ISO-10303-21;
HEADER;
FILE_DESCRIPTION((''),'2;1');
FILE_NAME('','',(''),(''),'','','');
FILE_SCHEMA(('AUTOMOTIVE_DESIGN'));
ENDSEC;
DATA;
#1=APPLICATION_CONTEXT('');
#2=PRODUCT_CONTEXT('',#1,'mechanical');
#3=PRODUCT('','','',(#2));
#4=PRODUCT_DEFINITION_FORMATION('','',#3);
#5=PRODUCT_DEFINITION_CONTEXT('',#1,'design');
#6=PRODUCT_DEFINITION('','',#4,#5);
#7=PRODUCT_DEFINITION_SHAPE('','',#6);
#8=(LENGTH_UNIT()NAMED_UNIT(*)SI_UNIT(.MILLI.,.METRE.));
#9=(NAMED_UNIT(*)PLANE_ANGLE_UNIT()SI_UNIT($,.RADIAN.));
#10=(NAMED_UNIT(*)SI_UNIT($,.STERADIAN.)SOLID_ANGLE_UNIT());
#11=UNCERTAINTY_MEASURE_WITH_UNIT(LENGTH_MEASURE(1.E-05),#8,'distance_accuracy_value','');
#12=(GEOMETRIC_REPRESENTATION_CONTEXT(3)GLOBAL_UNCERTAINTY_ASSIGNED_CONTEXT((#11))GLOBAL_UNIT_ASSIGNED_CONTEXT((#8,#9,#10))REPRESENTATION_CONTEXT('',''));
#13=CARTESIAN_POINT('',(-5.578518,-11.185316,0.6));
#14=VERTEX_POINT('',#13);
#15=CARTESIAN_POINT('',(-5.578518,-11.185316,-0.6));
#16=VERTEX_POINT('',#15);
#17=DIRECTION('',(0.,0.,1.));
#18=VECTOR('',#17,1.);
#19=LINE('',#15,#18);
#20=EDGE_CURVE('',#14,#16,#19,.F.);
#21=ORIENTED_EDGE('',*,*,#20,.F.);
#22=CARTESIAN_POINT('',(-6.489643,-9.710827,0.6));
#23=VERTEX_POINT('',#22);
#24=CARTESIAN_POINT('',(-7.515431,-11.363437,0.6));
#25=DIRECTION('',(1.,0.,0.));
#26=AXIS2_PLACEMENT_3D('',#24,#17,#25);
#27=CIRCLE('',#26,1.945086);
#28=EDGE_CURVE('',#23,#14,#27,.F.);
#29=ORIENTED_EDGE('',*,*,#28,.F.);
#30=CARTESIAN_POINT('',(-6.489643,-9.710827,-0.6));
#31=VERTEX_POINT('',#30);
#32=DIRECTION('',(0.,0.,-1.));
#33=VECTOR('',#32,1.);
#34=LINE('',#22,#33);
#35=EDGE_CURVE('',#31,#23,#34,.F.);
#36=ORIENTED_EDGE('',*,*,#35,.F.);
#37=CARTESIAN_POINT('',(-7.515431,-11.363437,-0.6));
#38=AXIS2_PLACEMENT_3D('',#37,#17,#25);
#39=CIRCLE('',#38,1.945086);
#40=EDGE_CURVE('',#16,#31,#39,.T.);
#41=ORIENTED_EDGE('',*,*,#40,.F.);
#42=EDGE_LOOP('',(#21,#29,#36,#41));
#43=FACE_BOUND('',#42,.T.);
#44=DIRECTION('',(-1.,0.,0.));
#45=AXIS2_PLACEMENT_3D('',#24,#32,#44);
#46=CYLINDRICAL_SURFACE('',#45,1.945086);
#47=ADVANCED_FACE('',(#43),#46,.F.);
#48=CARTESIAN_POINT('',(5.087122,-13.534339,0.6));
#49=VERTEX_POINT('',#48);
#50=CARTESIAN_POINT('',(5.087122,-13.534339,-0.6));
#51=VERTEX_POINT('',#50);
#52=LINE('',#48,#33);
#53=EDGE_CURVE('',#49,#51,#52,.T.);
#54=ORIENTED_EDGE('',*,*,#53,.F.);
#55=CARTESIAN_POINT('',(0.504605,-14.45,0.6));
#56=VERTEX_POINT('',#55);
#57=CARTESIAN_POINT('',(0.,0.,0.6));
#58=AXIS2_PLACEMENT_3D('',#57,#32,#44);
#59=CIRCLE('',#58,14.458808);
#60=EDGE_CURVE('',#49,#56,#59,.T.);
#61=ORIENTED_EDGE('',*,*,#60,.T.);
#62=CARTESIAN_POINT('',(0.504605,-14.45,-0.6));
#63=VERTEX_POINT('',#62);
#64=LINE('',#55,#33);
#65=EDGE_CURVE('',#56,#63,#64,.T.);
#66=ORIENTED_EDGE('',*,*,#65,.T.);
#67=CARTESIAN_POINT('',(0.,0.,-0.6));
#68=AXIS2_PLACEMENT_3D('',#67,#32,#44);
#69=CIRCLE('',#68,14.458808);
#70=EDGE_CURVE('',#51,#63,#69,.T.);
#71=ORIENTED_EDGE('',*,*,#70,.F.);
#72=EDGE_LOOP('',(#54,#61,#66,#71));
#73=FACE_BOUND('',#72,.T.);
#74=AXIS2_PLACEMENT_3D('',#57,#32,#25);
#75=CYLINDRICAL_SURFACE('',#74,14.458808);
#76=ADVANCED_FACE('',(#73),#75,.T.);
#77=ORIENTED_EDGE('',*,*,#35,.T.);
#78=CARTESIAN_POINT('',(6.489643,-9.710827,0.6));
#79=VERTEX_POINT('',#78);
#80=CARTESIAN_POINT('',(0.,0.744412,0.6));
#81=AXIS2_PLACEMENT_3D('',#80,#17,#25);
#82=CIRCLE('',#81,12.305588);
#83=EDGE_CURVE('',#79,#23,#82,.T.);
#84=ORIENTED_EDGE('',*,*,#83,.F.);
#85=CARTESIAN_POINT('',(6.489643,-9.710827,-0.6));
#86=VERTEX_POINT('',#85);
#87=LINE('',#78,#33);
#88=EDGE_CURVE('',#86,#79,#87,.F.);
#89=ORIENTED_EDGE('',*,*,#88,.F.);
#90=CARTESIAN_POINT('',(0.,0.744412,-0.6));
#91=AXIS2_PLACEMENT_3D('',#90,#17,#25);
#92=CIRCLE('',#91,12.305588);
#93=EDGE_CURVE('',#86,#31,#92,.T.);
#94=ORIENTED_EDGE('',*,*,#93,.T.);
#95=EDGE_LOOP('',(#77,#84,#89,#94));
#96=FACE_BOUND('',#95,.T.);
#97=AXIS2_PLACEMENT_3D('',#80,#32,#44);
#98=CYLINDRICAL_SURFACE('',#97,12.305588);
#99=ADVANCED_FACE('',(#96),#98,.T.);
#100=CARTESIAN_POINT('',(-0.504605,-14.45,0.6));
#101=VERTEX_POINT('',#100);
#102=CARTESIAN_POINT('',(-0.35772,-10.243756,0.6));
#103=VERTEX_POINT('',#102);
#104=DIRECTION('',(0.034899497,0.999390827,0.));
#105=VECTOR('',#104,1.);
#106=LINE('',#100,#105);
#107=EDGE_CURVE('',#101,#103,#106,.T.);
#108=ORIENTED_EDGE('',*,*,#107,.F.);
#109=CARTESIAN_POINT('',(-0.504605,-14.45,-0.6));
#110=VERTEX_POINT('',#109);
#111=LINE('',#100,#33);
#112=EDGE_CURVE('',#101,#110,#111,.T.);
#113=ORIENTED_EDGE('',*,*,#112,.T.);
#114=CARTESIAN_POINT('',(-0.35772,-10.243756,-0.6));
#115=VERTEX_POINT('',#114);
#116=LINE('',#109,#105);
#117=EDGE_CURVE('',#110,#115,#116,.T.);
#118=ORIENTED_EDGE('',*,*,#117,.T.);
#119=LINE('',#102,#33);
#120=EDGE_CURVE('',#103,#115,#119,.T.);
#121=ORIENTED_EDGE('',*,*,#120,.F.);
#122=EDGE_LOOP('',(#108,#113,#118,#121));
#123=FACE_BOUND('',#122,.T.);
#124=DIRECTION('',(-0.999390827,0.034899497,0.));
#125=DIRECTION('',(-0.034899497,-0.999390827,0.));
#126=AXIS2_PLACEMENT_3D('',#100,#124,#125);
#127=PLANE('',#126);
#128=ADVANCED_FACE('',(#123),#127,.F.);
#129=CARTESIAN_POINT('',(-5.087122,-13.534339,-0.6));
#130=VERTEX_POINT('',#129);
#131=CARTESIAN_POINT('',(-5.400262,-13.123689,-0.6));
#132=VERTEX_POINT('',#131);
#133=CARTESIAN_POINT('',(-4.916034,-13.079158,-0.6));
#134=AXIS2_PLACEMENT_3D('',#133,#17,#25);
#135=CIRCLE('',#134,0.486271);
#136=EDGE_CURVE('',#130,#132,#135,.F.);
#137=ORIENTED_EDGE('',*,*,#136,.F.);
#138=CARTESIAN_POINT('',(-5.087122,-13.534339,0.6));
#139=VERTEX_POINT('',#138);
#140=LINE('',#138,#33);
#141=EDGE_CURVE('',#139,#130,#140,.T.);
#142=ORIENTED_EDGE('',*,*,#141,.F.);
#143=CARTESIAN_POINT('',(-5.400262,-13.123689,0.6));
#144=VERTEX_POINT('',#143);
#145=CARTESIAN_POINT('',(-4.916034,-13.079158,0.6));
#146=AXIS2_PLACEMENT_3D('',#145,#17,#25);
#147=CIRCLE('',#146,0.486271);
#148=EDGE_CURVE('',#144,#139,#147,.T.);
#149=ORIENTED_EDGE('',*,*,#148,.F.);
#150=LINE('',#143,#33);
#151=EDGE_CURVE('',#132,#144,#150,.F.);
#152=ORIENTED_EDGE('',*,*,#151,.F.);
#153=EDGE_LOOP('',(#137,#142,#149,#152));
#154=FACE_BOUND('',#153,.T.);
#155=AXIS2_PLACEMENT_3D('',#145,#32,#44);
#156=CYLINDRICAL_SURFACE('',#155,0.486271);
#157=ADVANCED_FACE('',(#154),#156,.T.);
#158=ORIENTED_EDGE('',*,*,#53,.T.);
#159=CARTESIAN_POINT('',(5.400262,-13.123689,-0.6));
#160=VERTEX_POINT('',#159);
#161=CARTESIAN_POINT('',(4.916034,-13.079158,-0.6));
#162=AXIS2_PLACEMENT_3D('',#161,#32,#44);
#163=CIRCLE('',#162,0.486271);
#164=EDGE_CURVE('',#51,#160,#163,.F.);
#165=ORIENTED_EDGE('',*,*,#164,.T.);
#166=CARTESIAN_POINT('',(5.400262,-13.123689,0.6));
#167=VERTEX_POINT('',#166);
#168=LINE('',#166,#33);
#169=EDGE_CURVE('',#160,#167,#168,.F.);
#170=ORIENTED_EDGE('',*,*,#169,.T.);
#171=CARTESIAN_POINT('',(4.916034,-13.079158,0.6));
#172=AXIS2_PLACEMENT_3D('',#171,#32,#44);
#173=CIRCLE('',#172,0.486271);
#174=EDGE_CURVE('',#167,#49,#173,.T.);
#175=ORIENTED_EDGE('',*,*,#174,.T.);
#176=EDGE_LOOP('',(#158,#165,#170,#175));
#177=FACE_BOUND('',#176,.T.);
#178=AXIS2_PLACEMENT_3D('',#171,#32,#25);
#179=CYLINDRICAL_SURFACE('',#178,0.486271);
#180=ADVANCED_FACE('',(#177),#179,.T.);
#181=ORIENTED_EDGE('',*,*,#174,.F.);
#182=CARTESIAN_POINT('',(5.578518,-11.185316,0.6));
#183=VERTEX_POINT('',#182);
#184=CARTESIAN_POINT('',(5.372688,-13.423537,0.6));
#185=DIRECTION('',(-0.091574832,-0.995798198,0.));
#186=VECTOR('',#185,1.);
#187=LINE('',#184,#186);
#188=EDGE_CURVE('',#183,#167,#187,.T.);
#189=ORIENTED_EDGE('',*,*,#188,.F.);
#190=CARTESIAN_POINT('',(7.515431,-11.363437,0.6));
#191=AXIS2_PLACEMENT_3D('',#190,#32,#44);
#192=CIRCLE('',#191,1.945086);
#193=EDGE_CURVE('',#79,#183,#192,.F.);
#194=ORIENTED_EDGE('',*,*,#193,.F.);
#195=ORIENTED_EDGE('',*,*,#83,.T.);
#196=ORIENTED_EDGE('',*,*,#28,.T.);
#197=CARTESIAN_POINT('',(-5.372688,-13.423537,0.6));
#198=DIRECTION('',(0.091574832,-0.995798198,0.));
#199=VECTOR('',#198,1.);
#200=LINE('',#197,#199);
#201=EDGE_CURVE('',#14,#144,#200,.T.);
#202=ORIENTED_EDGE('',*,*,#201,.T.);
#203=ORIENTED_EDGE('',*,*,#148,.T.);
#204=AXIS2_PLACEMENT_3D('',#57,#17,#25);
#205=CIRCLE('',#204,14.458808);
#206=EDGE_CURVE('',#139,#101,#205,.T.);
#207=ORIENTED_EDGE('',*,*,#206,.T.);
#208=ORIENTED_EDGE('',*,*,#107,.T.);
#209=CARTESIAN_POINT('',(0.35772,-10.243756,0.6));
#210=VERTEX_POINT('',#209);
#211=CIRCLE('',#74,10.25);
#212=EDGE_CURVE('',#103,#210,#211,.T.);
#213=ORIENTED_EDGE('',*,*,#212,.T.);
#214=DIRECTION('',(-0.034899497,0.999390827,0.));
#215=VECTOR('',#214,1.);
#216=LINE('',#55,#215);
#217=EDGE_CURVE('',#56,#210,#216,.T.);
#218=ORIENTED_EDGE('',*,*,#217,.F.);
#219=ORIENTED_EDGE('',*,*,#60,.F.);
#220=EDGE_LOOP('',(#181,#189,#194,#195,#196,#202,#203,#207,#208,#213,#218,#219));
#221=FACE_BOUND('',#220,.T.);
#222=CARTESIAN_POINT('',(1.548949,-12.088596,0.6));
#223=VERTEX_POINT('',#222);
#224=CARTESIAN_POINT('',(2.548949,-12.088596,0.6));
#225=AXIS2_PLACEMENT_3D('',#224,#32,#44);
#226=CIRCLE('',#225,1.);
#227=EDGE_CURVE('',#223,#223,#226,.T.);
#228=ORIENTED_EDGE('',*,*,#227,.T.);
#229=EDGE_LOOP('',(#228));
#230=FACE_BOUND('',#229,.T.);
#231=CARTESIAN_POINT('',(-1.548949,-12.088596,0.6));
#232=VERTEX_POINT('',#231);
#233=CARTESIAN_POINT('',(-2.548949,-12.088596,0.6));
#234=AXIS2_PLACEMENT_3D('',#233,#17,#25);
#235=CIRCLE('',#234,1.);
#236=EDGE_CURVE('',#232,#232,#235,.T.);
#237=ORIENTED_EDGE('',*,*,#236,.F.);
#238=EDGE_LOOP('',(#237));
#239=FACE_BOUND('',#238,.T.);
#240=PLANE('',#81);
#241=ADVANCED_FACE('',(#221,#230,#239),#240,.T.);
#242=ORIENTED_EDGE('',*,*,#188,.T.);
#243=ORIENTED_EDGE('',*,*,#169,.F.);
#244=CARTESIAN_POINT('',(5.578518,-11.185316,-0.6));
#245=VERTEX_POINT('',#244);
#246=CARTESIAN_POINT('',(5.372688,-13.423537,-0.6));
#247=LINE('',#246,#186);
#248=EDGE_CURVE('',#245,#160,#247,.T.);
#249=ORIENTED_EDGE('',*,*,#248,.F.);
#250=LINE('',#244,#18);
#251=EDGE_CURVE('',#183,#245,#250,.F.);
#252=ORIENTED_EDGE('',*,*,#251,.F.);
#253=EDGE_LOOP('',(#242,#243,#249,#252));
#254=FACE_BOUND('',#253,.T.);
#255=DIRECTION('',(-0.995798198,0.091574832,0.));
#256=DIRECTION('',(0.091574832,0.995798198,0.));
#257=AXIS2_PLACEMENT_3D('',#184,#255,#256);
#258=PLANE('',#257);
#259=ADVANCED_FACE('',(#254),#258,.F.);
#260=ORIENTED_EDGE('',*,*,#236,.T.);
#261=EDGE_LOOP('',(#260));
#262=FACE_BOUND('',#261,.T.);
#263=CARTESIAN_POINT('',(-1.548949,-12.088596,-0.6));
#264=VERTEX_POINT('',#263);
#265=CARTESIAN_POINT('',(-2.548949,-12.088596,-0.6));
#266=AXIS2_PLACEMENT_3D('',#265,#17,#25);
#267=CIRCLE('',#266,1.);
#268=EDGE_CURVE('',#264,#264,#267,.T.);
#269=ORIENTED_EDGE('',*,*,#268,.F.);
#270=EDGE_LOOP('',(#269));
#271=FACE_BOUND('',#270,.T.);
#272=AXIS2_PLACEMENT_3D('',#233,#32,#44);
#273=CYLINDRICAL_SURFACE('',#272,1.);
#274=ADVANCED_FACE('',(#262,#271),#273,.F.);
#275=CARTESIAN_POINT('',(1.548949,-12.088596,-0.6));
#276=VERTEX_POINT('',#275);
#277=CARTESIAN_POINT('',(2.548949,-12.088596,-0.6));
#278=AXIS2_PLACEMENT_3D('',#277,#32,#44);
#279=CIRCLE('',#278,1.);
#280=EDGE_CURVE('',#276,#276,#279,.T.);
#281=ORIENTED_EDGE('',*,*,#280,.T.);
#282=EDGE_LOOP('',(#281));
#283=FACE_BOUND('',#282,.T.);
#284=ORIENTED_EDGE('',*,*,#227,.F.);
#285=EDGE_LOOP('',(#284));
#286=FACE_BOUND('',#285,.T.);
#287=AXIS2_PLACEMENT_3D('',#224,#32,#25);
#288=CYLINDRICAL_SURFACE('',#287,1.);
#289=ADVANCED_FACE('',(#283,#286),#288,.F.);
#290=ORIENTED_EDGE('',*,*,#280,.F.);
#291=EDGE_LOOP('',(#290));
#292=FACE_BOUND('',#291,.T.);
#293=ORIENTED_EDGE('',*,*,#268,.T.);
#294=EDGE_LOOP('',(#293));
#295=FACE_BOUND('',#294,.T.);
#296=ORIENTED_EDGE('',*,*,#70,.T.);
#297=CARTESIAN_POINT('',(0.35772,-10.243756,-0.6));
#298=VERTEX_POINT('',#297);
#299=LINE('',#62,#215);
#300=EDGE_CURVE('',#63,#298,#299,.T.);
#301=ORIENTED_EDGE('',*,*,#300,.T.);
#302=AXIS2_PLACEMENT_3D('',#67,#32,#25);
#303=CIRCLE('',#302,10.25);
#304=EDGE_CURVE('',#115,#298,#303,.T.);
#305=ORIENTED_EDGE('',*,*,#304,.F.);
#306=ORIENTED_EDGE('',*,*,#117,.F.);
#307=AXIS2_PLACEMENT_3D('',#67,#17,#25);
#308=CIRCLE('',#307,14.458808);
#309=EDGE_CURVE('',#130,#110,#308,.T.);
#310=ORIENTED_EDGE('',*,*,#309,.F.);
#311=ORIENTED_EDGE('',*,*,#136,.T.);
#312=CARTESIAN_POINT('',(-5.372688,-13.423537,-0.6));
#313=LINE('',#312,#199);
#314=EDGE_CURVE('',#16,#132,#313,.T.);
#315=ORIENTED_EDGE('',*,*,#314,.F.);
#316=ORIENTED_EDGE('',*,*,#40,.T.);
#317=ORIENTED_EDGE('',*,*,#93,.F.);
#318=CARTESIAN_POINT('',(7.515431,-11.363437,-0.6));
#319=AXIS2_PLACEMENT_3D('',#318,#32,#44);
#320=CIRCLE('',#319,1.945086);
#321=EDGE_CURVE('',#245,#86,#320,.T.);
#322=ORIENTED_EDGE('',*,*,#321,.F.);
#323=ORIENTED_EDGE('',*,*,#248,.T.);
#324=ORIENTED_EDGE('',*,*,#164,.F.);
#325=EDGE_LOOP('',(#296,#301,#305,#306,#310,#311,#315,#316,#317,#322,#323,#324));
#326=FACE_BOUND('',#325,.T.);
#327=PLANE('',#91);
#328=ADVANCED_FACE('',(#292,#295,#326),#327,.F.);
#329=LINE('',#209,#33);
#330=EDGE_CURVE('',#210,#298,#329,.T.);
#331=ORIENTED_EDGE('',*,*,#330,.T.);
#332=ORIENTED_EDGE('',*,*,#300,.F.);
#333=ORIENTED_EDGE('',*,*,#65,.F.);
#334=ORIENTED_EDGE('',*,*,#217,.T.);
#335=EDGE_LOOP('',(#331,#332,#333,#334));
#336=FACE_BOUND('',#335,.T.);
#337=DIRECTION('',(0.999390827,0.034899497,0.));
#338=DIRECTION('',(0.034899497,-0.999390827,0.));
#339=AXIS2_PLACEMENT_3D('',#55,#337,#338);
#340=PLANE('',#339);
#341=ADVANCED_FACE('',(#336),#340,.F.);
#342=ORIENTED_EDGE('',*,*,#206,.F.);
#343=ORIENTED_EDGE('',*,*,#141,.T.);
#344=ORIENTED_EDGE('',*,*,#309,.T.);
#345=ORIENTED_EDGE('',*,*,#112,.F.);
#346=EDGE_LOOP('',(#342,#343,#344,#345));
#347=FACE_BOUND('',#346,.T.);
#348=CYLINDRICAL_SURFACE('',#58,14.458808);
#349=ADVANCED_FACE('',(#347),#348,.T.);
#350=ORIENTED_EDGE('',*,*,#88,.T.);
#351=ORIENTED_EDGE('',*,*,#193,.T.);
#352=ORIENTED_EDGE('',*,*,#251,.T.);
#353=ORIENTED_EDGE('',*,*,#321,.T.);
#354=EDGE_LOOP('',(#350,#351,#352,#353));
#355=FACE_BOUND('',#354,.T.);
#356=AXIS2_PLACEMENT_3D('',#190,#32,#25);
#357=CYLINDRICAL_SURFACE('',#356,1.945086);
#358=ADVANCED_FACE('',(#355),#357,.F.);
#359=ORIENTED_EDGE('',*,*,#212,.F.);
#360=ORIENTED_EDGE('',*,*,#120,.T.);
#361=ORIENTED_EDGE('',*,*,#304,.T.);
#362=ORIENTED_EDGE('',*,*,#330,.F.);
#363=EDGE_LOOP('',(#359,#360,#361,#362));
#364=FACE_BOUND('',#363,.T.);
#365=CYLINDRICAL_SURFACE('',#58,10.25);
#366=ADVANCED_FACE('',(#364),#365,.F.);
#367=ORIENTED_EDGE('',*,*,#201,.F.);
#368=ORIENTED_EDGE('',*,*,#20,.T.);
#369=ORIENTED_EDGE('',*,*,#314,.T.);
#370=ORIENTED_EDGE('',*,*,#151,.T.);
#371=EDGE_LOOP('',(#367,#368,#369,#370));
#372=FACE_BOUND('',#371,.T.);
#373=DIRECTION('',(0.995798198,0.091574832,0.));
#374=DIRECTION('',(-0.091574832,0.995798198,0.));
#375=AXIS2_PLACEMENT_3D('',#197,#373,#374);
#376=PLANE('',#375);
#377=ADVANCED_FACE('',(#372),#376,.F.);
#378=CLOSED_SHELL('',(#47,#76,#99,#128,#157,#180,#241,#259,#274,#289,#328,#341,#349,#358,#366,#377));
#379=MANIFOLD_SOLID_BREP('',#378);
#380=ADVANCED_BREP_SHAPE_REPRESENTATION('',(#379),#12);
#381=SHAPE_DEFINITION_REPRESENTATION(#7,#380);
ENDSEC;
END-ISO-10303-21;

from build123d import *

# Parameters (mm, degrees)
SKETCH4_R           = 1
BOSS_EXTRUDE1_DEPTH = 0.6
FILLET1_R           = 1.945085901
FILLET2_R           = 0.486271475


with BuildPart() as part:
    # Sketch4 → Boss-Extrude1 (new, symmetric)
    with BuildSketch(Plane.XY):
        with BuildLine():
            Line((-5.372687964, -13.423537178), (-5.671299881, -10.17638726))
            ThreePointArc((-5.671299881, -10.17638726), (-11.954378983, 3.663370767), (0, 13.05))
            Line((0, 13.05), (0, 10.25))
            ThreePointArc((0, 10.25), (-10.248438875, 0.178887166), (-0.357719841, -10.243755977))
            Line((-0.357719841, -10.243755977), (-0.504605119, -14.45))
            ThreePointArc((-0.504605119, -14.45), (-2.98312755, -14.147723363), (-5.372687964, -13.423537178))
        make_face()
        with Locations((-2.548948919, -12.088596137)):
            Circle(SKETCH4_R, mode=Mode.SUBTRACT)
    extrude(amount=BOSS_EXTRUDE1_DEPTH, both=True)

    # Fillet1
    fillet1_edges = [part.edges().sort_by_distance(p)[0] for p in [
        (-5.671299881, -10.17638726, 0),
    ]]
    fillet(fillet1_edges, radius=FILLET1_R)

    # Fillet2
    fillet2_edges = [part.edges().sort_by_distance(p)[0] for p in [
        (-5.372687964, -13.423537178, 0),
    ]]
    fillet(fillet2_edges, radius=FILLET2_R)

    # Mirror1: part across plane


with BuildPart() as part_1:
    add(part.part)
    add(part.part.mirror(Plane(origin=(0, 13.05, 0.6), x_dir=(0, 0, 1), z_dir=(-1, 0, 0))))


solid = part_1.part
